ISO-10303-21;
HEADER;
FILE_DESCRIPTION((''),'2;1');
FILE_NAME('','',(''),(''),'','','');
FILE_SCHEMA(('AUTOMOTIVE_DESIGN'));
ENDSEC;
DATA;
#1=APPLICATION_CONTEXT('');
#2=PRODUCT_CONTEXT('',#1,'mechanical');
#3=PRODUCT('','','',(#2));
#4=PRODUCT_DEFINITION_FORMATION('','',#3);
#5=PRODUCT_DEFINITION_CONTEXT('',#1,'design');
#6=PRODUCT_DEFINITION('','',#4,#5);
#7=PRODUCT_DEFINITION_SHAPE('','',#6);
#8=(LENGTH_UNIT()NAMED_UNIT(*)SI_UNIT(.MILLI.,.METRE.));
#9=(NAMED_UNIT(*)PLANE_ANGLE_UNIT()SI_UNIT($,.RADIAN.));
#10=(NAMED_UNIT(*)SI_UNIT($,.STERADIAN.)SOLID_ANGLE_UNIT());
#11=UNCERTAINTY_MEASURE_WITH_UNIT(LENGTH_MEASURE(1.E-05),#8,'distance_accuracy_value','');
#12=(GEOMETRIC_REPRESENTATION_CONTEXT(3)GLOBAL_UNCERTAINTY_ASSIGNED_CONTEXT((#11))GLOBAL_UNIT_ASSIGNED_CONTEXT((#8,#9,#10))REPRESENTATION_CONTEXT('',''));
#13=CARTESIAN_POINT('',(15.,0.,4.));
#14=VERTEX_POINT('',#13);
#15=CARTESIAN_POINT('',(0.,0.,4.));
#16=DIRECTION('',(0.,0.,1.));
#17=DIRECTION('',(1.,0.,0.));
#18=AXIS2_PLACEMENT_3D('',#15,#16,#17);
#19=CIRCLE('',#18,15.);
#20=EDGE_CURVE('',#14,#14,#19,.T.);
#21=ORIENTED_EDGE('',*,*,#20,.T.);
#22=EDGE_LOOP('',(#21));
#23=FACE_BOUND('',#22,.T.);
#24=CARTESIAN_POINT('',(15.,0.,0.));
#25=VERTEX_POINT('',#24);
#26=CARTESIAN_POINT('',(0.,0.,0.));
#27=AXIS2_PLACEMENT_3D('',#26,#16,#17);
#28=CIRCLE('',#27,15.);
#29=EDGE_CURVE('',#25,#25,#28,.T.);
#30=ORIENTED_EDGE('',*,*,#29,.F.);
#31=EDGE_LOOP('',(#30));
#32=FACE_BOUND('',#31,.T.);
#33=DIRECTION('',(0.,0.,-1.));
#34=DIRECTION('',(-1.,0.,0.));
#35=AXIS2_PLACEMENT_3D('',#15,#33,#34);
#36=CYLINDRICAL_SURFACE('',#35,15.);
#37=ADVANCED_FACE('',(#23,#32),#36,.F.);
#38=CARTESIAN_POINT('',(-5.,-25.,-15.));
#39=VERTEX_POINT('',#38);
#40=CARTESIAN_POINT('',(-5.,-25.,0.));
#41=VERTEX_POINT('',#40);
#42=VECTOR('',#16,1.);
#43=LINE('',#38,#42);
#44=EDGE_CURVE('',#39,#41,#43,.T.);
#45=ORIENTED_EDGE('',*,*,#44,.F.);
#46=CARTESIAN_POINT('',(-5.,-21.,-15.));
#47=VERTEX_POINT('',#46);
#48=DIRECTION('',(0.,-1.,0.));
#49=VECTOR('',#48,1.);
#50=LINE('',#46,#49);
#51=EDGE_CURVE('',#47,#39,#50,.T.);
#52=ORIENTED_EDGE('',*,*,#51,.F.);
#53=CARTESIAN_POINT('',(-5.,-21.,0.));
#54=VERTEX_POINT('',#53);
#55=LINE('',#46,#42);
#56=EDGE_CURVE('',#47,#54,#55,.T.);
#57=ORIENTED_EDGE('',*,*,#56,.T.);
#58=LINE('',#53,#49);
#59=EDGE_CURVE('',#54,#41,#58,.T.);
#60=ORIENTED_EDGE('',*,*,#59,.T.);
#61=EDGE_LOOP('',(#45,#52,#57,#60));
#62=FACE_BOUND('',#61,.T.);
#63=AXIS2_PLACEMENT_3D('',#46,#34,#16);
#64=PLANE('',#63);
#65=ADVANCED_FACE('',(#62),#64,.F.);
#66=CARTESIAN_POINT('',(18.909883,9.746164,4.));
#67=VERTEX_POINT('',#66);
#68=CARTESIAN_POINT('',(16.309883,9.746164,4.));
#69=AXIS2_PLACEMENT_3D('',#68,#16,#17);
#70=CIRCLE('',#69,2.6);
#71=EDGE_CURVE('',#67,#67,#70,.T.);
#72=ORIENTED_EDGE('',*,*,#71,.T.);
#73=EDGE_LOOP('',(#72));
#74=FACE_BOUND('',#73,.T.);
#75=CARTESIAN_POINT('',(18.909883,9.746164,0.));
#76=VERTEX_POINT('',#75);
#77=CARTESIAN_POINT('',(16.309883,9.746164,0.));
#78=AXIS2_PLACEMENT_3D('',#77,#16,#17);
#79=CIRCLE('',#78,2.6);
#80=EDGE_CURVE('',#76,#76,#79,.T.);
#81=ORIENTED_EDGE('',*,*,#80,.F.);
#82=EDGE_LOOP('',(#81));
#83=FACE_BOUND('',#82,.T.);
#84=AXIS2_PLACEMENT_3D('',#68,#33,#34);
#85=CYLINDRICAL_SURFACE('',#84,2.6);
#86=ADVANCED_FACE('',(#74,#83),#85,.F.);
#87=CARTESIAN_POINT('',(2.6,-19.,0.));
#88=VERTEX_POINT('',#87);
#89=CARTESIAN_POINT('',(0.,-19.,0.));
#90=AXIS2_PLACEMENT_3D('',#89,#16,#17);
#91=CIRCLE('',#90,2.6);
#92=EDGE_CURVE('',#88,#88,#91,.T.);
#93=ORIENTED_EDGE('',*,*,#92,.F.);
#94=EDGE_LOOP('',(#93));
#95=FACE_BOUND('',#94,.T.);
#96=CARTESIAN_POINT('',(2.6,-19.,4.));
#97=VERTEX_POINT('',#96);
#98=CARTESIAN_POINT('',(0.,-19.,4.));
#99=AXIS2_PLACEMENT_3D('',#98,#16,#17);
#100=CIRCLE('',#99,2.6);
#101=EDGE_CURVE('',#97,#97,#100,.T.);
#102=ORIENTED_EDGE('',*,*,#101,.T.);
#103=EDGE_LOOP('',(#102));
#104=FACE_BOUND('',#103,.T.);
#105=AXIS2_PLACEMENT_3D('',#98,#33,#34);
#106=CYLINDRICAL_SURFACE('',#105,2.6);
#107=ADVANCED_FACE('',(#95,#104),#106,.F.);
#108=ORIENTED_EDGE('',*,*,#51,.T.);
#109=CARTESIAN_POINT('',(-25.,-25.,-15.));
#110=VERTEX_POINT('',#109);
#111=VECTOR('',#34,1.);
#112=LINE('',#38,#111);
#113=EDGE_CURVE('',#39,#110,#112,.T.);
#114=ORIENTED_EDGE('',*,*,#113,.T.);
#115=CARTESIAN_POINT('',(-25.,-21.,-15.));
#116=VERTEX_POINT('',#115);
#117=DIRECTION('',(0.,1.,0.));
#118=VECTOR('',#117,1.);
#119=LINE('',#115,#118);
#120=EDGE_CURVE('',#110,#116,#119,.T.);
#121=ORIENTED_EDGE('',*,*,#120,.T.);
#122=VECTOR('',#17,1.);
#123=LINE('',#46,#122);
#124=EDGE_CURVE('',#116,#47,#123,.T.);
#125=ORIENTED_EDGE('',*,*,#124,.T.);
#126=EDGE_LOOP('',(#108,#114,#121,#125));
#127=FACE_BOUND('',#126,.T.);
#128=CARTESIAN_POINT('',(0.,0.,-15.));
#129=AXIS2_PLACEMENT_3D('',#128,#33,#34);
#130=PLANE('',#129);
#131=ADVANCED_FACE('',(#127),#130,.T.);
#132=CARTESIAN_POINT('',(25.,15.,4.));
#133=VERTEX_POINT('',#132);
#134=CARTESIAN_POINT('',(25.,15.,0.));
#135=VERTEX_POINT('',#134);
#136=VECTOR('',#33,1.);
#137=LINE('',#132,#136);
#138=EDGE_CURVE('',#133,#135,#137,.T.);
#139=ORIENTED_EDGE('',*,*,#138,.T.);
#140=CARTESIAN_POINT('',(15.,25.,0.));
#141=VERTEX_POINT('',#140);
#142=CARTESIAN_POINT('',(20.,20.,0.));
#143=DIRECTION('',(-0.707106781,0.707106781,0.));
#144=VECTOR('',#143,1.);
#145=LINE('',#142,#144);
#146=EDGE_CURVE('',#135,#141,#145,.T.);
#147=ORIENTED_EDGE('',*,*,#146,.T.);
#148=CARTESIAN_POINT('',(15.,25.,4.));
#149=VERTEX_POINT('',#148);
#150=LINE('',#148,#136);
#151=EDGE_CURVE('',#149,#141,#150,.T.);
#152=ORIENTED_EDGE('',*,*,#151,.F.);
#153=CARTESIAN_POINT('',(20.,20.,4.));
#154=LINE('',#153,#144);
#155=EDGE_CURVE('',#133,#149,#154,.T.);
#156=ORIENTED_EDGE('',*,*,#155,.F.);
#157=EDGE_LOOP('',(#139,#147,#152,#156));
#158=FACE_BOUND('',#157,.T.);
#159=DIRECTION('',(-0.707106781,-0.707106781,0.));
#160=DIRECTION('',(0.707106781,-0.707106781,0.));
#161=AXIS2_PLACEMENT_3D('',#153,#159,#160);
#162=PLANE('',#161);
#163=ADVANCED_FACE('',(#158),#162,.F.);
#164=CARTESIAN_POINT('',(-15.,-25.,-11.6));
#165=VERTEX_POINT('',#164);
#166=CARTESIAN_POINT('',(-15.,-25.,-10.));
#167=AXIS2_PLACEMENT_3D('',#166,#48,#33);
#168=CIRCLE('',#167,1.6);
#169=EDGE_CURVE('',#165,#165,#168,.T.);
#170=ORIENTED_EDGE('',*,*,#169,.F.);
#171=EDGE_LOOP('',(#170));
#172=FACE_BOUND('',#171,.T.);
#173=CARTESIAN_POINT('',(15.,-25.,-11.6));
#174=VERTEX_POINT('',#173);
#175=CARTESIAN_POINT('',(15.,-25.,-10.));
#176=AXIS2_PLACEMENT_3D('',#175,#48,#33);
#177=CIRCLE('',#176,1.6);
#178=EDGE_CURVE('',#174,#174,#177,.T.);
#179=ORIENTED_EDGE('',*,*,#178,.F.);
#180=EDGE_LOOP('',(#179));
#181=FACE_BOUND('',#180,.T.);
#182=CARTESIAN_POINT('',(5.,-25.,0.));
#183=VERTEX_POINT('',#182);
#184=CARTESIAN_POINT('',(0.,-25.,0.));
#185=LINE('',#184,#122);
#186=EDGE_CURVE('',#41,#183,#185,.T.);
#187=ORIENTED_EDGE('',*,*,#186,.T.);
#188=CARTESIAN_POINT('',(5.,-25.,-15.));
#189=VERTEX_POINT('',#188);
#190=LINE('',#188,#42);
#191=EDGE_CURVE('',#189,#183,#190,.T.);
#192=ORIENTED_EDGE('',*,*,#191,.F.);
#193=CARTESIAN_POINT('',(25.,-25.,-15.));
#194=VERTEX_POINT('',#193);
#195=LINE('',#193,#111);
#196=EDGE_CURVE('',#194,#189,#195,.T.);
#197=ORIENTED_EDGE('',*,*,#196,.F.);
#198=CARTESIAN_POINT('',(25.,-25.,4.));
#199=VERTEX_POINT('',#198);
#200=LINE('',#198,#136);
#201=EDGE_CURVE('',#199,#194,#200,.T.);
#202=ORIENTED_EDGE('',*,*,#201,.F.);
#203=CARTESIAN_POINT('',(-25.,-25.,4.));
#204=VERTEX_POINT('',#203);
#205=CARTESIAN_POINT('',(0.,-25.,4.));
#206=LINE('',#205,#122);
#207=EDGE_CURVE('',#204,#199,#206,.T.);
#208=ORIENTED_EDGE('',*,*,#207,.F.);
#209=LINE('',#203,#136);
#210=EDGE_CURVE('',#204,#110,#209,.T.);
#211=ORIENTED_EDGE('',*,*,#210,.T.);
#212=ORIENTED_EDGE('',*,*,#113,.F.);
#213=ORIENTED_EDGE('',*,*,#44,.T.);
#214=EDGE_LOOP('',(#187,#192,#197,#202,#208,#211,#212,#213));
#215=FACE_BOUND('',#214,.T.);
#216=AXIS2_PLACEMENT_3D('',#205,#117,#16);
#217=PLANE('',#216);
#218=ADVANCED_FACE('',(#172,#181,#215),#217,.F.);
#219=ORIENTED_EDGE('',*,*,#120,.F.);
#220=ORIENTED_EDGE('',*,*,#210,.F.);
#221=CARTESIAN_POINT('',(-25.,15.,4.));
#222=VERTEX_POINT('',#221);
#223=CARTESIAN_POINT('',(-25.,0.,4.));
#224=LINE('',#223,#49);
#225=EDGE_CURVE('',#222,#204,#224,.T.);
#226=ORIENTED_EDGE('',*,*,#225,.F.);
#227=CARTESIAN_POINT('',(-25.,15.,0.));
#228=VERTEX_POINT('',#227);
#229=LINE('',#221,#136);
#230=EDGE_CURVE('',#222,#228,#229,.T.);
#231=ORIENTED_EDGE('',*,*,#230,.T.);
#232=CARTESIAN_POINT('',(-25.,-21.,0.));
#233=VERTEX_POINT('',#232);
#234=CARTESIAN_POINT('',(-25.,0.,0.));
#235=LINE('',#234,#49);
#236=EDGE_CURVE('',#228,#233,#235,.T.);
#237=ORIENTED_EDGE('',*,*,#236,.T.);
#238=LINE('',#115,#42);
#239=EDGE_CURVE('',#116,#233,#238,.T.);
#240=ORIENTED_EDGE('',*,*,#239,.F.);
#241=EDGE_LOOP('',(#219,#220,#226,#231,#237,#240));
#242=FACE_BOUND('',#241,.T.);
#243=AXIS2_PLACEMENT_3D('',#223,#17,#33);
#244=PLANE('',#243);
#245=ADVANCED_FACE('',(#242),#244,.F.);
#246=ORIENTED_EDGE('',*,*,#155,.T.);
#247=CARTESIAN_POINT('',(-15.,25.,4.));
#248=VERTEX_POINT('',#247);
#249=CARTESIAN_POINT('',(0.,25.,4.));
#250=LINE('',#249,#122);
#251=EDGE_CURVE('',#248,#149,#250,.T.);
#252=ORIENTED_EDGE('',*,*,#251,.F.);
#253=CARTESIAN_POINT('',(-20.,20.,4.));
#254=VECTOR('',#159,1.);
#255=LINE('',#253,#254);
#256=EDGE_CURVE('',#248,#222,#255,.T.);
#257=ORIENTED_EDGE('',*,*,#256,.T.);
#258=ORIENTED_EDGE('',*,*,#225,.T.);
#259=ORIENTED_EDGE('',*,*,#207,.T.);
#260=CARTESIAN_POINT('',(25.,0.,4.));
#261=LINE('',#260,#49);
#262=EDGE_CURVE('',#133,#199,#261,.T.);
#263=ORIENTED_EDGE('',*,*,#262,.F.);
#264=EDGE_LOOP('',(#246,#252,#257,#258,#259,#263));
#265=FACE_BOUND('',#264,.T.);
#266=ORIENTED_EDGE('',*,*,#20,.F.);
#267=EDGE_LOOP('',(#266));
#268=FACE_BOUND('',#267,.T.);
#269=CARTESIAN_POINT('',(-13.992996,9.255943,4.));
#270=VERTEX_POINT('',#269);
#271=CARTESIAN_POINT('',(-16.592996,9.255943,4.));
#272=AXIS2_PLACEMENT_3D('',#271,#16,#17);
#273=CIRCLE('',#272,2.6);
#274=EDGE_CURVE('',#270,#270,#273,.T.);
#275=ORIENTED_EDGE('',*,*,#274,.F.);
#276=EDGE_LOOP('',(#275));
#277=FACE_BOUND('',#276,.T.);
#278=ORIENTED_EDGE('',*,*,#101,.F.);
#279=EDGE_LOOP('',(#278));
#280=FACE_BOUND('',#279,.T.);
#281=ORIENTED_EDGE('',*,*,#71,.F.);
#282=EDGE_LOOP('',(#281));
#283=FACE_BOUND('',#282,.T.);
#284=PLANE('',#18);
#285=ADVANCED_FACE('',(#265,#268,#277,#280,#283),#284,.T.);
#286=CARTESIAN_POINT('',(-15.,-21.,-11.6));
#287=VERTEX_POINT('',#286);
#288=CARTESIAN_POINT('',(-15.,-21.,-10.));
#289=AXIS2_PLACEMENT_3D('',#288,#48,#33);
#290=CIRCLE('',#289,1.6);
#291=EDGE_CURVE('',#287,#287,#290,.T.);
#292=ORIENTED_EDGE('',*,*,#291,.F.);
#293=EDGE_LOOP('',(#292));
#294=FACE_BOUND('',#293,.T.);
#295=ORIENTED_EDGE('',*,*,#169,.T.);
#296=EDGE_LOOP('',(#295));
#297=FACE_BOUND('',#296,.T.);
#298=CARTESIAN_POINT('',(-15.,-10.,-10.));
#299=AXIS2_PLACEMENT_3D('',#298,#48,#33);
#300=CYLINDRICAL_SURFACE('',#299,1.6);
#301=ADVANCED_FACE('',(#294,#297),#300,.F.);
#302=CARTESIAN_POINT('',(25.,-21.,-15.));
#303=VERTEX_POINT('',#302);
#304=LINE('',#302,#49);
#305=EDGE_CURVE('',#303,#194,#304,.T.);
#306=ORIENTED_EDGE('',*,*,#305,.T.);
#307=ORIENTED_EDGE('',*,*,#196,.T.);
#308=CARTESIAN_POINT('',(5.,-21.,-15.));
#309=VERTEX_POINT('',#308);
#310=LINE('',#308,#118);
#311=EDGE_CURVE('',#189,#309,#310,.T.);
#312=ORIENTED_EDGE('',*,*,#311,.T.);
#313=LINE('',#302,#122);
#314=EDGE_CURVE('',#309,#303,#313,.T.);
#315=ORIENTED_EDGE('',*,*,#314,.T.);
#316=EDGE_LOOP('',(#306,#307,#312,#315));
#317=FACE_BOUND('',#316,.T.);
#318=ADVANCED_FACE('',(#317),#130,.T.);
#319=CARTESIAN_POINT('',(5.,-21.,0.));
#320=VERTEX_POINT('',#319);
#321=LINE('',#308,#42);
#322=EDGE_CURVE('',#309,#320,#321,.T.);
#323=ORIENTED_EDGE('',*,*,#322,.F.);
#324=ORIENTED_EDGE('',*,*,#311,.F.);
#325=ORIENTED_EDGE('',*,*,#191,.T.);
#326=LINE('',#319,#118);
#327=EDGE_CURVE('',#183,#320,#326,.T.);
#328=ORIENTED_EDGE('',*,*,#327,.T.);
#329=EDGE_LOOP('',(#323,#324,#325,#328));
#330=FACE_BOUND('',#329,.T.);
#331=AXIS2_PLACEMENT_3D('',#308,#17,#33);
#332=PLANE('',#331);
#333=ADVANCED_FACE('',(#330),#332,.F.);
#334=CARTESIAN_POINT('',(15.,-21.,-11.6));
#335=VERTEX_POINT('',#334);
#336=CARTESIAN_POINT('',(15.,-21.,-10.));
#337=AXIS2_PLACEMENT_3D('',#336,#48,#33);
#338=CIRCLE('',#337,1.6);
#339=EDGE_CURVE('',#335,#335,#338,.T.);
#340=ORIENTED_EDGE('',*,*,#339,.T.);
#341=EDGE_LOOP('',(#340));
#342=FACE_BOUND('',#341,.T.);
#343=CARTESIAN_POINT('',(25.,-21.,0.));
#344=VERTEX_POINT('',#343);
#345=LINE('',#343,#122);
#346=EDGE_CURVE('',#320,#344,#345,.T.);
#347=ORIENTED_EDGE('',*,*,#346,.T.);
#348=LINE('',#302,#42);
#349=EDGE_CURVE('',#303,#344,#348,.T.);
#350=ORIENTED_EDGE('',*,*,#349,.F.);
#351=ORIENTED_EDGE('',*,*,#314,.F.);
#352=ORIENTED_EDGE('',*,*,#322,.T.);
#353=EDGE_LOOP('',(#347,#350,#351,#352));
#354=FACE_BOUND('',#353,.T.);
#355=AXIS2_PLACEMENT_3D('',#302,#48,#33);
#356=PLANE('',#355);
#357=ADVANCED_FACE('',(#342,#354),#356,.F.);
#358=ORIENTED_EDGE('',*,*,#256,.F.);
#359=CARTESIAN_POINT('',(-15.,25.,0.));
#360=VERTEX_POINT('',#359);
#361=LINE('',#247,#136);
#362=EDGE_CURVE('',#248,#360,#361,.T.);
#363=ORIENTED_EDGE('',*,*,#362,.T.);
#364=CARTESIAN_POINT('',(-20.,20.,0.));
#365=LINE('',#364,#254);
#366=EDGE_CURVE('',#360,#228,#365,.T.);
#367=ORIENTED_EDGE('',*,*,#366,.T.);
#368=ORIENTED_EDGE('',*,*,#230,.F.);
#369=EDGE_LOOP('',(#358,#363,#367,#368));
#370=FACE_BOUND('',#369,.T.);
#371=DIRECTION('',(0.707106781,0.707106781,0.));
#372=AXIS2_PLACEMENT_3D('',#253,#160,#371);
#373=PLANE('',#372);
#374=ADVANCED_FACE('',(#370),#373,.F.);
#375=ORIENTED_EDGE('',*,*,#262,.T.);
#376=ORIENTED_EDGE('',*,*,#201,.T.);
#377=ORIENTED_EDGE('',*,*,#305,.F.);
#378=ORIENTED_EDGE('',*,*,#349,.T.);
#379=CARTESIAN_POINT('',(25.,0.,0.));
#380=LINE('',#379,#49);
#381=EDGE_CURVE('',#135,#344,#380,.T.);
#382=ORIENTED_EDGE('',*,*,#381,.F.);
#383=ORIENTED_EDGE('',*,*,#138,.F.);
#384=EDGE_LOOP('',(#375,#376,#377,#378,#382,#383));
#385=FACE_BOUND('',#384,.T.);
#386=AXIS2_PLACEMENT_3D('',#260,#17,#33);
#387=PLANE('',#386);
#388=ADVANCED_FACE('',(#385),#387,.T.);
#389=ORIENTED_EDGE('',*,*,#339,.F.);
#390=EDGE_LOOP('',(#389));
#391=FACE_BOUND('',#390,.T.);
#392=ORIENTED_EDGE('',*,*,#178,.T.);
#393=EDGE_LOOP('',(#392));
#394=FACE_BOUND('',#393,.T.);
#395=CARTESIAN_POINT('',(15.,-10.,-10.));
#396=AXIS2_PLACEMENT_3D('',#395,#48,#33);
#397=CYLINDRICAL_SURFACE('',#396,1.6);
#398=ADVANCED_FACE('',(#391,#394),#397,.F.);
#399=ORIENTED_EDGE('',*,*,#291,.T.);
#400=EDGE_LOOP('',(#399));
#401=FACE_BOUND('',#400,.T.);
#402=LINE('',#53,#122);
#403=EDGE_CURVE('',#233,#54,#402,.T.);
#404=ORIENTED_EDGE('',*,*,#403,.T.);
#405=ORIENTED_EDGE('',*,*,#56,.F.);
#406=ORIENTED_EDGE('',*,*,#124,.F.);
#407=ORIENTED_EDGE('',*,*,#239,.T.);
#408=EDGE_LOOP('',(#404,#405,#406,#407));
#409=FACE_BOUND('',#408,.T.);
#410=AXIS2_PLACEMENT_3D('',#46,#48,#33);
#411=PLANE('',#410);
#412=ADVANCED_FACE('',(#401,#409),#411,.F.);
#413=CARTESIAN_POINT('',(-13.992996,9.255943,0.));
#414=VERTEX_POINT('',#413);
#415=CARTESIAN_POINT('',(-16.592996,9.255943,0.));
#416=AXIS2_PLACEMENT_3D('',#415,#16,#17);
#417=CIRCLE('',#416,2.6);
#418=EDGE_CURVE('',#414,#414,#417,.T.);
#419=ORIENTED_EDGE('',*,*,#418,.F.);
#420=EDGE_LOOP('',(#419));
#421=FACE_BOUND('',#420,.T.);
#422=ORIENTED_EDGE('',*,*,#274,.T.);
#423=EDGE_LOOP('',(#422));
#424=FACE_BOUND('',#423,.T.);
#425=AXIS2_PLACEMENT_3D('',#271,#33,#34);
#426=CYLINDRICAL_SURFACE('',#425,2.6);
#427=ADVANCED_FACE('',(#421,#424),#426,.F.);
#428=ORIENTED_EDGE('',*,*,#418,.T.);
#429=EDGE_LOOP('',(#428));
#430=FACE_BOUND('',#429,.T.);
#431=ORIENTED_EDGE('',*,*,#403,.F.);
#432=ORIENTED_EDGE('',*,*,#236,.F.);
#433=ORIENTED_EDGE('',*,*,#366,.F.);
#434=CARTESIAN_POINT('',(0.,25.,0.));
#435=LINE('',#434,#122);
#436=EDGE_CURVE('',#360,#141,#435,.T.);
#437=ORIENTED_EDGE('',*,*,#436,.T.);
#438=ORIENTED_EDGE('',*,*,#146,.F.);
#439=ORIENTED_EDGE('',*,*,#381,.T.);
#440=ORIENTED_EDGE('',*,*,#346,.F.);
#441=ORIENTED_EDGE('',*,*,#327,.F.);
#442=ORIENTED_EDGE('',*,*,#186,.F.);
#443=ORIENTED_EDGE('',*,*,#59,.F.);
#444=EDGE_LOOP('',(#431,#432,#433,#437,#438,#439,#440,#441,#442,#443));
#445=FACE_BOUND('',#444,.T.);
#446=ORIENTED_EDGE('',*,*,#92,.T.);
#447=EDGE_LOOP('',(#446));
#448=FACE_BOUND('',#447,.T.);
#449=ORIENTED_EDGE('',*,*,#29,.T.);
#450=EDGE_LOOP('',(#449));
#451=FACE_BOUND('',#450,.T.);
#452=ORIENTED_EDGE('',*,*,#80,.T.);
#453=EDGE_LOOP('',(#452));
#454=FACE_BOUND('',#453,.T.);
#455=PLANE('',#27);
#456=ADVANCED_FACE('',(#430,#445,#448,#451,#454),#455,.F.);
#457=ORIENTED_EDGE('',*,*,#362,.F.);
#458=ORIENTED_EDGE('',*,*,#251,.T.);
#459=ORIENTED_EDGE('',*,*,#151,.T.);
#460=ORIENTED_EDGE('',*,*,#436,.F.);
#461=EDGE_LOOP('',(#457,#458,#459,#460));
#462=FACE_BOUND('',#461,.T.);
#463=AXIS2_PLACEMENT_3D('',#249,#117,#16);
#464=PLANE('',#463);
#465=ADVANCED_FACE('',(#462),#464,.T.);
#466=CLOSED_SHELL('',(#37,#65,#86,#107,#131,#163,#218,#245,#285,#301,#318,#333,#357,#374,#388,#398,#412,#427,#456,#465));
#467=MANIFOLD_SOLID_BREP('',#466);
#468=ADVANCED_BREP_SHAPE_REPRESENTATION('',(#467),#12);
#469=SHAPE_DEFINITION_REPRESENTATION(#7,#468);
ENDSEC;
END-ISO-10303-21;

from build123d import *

# Parameters (mm, degrees)
SKETCH_1_R          = 2.6
SKETCH_1_R_2        = 15
SKETCH_1_W          = 20
SKETCH_1_H          = 4
EXTRUDE_1_DEPTH     = 4
SKETCH_3_W          = 20
SKETCH_3_H          = 4
EXTRUDE_2_DEPTH     = 15
SKETCH_4_R          = 1.6
CUT_EXTRUDE_1_DEPTH = 15


with BuildPart() as part:
    # 草图1 → 凸台-拉伸1 (new body)
    # profile 1 of 3: a face of its own
    with BuildSketch(Plane.XY):
        Polygon((-25, 15), (-25, 0), (-25, -21), (-5, -21), (-5, -25), (5, -25), (5, -21), (25, -21), (25, 0), (25, 15), (15, 25), (0, 25), (-15, 25), align=None)
        with Locations((0, -19)):
            Circle(SKETCH_1_R, mode=Mode.SUBTRACT)
        Circle(SKETCH_1_R_2, mode=Mode.SUBTRACT)
        with Locations((-16.592996047, 9.255943073)):
            Circle(SKETCH_1_R, mode=Mode.SUBTRACT)
        with Locations((16.309882981, 9.746164228)):
            Circle(SKETCH_1_R, mode=Mode.SUBTRACT)
    # profile 2 of 3: a face of its own
    with BuildSketch(Plane.XY):
        with Locations((15, -23)):
            Rectangle(SKETCH_1_W, SKETCH_1_H)
    # profile 3 of 3: a face of its own
    with BuildSketch(Plane.XY):
        with Locations((-15, -23)):
            Rectangle(SKETCH_1_W, SKETCH_1_H)
    extrude(amount=EXTRUDE_1_DEPTH)

    # 草图3 → 凸台-拉伸2 (add)
    with BuildSketch(Plane(origin=(0, 0, 0), x_dir=(-1, 0, 0), z_dir=(0, 0, -1))):
        with Locations((-15, -23)):
            Rectangle(SKETCH_3_W, SKETCH_3_H)
        with Locations((15, -23)):
            Rectangle(SKETCH_3_W, SKETCH_3_H)
    extrude(amount=EXTRUDE_2_DEPTH)

    # 草图4 → 切除-拉伸1 (cut)
    with BuildSketch(Plane.XZ.offset(25)):
        with Locations(Location((-15, -10, 0), (0, 0, 270))):
            Circle(SKETCH_4_R)
        with Locations(Location((15, -10, 0), (0, 0, 270))):
            Circle(SKETCH_4_R)
    extrude(amount=-CUT_EXTRUDE_1_DEPTH, mode=Mode.SUBTRACT)


solid = part.part
